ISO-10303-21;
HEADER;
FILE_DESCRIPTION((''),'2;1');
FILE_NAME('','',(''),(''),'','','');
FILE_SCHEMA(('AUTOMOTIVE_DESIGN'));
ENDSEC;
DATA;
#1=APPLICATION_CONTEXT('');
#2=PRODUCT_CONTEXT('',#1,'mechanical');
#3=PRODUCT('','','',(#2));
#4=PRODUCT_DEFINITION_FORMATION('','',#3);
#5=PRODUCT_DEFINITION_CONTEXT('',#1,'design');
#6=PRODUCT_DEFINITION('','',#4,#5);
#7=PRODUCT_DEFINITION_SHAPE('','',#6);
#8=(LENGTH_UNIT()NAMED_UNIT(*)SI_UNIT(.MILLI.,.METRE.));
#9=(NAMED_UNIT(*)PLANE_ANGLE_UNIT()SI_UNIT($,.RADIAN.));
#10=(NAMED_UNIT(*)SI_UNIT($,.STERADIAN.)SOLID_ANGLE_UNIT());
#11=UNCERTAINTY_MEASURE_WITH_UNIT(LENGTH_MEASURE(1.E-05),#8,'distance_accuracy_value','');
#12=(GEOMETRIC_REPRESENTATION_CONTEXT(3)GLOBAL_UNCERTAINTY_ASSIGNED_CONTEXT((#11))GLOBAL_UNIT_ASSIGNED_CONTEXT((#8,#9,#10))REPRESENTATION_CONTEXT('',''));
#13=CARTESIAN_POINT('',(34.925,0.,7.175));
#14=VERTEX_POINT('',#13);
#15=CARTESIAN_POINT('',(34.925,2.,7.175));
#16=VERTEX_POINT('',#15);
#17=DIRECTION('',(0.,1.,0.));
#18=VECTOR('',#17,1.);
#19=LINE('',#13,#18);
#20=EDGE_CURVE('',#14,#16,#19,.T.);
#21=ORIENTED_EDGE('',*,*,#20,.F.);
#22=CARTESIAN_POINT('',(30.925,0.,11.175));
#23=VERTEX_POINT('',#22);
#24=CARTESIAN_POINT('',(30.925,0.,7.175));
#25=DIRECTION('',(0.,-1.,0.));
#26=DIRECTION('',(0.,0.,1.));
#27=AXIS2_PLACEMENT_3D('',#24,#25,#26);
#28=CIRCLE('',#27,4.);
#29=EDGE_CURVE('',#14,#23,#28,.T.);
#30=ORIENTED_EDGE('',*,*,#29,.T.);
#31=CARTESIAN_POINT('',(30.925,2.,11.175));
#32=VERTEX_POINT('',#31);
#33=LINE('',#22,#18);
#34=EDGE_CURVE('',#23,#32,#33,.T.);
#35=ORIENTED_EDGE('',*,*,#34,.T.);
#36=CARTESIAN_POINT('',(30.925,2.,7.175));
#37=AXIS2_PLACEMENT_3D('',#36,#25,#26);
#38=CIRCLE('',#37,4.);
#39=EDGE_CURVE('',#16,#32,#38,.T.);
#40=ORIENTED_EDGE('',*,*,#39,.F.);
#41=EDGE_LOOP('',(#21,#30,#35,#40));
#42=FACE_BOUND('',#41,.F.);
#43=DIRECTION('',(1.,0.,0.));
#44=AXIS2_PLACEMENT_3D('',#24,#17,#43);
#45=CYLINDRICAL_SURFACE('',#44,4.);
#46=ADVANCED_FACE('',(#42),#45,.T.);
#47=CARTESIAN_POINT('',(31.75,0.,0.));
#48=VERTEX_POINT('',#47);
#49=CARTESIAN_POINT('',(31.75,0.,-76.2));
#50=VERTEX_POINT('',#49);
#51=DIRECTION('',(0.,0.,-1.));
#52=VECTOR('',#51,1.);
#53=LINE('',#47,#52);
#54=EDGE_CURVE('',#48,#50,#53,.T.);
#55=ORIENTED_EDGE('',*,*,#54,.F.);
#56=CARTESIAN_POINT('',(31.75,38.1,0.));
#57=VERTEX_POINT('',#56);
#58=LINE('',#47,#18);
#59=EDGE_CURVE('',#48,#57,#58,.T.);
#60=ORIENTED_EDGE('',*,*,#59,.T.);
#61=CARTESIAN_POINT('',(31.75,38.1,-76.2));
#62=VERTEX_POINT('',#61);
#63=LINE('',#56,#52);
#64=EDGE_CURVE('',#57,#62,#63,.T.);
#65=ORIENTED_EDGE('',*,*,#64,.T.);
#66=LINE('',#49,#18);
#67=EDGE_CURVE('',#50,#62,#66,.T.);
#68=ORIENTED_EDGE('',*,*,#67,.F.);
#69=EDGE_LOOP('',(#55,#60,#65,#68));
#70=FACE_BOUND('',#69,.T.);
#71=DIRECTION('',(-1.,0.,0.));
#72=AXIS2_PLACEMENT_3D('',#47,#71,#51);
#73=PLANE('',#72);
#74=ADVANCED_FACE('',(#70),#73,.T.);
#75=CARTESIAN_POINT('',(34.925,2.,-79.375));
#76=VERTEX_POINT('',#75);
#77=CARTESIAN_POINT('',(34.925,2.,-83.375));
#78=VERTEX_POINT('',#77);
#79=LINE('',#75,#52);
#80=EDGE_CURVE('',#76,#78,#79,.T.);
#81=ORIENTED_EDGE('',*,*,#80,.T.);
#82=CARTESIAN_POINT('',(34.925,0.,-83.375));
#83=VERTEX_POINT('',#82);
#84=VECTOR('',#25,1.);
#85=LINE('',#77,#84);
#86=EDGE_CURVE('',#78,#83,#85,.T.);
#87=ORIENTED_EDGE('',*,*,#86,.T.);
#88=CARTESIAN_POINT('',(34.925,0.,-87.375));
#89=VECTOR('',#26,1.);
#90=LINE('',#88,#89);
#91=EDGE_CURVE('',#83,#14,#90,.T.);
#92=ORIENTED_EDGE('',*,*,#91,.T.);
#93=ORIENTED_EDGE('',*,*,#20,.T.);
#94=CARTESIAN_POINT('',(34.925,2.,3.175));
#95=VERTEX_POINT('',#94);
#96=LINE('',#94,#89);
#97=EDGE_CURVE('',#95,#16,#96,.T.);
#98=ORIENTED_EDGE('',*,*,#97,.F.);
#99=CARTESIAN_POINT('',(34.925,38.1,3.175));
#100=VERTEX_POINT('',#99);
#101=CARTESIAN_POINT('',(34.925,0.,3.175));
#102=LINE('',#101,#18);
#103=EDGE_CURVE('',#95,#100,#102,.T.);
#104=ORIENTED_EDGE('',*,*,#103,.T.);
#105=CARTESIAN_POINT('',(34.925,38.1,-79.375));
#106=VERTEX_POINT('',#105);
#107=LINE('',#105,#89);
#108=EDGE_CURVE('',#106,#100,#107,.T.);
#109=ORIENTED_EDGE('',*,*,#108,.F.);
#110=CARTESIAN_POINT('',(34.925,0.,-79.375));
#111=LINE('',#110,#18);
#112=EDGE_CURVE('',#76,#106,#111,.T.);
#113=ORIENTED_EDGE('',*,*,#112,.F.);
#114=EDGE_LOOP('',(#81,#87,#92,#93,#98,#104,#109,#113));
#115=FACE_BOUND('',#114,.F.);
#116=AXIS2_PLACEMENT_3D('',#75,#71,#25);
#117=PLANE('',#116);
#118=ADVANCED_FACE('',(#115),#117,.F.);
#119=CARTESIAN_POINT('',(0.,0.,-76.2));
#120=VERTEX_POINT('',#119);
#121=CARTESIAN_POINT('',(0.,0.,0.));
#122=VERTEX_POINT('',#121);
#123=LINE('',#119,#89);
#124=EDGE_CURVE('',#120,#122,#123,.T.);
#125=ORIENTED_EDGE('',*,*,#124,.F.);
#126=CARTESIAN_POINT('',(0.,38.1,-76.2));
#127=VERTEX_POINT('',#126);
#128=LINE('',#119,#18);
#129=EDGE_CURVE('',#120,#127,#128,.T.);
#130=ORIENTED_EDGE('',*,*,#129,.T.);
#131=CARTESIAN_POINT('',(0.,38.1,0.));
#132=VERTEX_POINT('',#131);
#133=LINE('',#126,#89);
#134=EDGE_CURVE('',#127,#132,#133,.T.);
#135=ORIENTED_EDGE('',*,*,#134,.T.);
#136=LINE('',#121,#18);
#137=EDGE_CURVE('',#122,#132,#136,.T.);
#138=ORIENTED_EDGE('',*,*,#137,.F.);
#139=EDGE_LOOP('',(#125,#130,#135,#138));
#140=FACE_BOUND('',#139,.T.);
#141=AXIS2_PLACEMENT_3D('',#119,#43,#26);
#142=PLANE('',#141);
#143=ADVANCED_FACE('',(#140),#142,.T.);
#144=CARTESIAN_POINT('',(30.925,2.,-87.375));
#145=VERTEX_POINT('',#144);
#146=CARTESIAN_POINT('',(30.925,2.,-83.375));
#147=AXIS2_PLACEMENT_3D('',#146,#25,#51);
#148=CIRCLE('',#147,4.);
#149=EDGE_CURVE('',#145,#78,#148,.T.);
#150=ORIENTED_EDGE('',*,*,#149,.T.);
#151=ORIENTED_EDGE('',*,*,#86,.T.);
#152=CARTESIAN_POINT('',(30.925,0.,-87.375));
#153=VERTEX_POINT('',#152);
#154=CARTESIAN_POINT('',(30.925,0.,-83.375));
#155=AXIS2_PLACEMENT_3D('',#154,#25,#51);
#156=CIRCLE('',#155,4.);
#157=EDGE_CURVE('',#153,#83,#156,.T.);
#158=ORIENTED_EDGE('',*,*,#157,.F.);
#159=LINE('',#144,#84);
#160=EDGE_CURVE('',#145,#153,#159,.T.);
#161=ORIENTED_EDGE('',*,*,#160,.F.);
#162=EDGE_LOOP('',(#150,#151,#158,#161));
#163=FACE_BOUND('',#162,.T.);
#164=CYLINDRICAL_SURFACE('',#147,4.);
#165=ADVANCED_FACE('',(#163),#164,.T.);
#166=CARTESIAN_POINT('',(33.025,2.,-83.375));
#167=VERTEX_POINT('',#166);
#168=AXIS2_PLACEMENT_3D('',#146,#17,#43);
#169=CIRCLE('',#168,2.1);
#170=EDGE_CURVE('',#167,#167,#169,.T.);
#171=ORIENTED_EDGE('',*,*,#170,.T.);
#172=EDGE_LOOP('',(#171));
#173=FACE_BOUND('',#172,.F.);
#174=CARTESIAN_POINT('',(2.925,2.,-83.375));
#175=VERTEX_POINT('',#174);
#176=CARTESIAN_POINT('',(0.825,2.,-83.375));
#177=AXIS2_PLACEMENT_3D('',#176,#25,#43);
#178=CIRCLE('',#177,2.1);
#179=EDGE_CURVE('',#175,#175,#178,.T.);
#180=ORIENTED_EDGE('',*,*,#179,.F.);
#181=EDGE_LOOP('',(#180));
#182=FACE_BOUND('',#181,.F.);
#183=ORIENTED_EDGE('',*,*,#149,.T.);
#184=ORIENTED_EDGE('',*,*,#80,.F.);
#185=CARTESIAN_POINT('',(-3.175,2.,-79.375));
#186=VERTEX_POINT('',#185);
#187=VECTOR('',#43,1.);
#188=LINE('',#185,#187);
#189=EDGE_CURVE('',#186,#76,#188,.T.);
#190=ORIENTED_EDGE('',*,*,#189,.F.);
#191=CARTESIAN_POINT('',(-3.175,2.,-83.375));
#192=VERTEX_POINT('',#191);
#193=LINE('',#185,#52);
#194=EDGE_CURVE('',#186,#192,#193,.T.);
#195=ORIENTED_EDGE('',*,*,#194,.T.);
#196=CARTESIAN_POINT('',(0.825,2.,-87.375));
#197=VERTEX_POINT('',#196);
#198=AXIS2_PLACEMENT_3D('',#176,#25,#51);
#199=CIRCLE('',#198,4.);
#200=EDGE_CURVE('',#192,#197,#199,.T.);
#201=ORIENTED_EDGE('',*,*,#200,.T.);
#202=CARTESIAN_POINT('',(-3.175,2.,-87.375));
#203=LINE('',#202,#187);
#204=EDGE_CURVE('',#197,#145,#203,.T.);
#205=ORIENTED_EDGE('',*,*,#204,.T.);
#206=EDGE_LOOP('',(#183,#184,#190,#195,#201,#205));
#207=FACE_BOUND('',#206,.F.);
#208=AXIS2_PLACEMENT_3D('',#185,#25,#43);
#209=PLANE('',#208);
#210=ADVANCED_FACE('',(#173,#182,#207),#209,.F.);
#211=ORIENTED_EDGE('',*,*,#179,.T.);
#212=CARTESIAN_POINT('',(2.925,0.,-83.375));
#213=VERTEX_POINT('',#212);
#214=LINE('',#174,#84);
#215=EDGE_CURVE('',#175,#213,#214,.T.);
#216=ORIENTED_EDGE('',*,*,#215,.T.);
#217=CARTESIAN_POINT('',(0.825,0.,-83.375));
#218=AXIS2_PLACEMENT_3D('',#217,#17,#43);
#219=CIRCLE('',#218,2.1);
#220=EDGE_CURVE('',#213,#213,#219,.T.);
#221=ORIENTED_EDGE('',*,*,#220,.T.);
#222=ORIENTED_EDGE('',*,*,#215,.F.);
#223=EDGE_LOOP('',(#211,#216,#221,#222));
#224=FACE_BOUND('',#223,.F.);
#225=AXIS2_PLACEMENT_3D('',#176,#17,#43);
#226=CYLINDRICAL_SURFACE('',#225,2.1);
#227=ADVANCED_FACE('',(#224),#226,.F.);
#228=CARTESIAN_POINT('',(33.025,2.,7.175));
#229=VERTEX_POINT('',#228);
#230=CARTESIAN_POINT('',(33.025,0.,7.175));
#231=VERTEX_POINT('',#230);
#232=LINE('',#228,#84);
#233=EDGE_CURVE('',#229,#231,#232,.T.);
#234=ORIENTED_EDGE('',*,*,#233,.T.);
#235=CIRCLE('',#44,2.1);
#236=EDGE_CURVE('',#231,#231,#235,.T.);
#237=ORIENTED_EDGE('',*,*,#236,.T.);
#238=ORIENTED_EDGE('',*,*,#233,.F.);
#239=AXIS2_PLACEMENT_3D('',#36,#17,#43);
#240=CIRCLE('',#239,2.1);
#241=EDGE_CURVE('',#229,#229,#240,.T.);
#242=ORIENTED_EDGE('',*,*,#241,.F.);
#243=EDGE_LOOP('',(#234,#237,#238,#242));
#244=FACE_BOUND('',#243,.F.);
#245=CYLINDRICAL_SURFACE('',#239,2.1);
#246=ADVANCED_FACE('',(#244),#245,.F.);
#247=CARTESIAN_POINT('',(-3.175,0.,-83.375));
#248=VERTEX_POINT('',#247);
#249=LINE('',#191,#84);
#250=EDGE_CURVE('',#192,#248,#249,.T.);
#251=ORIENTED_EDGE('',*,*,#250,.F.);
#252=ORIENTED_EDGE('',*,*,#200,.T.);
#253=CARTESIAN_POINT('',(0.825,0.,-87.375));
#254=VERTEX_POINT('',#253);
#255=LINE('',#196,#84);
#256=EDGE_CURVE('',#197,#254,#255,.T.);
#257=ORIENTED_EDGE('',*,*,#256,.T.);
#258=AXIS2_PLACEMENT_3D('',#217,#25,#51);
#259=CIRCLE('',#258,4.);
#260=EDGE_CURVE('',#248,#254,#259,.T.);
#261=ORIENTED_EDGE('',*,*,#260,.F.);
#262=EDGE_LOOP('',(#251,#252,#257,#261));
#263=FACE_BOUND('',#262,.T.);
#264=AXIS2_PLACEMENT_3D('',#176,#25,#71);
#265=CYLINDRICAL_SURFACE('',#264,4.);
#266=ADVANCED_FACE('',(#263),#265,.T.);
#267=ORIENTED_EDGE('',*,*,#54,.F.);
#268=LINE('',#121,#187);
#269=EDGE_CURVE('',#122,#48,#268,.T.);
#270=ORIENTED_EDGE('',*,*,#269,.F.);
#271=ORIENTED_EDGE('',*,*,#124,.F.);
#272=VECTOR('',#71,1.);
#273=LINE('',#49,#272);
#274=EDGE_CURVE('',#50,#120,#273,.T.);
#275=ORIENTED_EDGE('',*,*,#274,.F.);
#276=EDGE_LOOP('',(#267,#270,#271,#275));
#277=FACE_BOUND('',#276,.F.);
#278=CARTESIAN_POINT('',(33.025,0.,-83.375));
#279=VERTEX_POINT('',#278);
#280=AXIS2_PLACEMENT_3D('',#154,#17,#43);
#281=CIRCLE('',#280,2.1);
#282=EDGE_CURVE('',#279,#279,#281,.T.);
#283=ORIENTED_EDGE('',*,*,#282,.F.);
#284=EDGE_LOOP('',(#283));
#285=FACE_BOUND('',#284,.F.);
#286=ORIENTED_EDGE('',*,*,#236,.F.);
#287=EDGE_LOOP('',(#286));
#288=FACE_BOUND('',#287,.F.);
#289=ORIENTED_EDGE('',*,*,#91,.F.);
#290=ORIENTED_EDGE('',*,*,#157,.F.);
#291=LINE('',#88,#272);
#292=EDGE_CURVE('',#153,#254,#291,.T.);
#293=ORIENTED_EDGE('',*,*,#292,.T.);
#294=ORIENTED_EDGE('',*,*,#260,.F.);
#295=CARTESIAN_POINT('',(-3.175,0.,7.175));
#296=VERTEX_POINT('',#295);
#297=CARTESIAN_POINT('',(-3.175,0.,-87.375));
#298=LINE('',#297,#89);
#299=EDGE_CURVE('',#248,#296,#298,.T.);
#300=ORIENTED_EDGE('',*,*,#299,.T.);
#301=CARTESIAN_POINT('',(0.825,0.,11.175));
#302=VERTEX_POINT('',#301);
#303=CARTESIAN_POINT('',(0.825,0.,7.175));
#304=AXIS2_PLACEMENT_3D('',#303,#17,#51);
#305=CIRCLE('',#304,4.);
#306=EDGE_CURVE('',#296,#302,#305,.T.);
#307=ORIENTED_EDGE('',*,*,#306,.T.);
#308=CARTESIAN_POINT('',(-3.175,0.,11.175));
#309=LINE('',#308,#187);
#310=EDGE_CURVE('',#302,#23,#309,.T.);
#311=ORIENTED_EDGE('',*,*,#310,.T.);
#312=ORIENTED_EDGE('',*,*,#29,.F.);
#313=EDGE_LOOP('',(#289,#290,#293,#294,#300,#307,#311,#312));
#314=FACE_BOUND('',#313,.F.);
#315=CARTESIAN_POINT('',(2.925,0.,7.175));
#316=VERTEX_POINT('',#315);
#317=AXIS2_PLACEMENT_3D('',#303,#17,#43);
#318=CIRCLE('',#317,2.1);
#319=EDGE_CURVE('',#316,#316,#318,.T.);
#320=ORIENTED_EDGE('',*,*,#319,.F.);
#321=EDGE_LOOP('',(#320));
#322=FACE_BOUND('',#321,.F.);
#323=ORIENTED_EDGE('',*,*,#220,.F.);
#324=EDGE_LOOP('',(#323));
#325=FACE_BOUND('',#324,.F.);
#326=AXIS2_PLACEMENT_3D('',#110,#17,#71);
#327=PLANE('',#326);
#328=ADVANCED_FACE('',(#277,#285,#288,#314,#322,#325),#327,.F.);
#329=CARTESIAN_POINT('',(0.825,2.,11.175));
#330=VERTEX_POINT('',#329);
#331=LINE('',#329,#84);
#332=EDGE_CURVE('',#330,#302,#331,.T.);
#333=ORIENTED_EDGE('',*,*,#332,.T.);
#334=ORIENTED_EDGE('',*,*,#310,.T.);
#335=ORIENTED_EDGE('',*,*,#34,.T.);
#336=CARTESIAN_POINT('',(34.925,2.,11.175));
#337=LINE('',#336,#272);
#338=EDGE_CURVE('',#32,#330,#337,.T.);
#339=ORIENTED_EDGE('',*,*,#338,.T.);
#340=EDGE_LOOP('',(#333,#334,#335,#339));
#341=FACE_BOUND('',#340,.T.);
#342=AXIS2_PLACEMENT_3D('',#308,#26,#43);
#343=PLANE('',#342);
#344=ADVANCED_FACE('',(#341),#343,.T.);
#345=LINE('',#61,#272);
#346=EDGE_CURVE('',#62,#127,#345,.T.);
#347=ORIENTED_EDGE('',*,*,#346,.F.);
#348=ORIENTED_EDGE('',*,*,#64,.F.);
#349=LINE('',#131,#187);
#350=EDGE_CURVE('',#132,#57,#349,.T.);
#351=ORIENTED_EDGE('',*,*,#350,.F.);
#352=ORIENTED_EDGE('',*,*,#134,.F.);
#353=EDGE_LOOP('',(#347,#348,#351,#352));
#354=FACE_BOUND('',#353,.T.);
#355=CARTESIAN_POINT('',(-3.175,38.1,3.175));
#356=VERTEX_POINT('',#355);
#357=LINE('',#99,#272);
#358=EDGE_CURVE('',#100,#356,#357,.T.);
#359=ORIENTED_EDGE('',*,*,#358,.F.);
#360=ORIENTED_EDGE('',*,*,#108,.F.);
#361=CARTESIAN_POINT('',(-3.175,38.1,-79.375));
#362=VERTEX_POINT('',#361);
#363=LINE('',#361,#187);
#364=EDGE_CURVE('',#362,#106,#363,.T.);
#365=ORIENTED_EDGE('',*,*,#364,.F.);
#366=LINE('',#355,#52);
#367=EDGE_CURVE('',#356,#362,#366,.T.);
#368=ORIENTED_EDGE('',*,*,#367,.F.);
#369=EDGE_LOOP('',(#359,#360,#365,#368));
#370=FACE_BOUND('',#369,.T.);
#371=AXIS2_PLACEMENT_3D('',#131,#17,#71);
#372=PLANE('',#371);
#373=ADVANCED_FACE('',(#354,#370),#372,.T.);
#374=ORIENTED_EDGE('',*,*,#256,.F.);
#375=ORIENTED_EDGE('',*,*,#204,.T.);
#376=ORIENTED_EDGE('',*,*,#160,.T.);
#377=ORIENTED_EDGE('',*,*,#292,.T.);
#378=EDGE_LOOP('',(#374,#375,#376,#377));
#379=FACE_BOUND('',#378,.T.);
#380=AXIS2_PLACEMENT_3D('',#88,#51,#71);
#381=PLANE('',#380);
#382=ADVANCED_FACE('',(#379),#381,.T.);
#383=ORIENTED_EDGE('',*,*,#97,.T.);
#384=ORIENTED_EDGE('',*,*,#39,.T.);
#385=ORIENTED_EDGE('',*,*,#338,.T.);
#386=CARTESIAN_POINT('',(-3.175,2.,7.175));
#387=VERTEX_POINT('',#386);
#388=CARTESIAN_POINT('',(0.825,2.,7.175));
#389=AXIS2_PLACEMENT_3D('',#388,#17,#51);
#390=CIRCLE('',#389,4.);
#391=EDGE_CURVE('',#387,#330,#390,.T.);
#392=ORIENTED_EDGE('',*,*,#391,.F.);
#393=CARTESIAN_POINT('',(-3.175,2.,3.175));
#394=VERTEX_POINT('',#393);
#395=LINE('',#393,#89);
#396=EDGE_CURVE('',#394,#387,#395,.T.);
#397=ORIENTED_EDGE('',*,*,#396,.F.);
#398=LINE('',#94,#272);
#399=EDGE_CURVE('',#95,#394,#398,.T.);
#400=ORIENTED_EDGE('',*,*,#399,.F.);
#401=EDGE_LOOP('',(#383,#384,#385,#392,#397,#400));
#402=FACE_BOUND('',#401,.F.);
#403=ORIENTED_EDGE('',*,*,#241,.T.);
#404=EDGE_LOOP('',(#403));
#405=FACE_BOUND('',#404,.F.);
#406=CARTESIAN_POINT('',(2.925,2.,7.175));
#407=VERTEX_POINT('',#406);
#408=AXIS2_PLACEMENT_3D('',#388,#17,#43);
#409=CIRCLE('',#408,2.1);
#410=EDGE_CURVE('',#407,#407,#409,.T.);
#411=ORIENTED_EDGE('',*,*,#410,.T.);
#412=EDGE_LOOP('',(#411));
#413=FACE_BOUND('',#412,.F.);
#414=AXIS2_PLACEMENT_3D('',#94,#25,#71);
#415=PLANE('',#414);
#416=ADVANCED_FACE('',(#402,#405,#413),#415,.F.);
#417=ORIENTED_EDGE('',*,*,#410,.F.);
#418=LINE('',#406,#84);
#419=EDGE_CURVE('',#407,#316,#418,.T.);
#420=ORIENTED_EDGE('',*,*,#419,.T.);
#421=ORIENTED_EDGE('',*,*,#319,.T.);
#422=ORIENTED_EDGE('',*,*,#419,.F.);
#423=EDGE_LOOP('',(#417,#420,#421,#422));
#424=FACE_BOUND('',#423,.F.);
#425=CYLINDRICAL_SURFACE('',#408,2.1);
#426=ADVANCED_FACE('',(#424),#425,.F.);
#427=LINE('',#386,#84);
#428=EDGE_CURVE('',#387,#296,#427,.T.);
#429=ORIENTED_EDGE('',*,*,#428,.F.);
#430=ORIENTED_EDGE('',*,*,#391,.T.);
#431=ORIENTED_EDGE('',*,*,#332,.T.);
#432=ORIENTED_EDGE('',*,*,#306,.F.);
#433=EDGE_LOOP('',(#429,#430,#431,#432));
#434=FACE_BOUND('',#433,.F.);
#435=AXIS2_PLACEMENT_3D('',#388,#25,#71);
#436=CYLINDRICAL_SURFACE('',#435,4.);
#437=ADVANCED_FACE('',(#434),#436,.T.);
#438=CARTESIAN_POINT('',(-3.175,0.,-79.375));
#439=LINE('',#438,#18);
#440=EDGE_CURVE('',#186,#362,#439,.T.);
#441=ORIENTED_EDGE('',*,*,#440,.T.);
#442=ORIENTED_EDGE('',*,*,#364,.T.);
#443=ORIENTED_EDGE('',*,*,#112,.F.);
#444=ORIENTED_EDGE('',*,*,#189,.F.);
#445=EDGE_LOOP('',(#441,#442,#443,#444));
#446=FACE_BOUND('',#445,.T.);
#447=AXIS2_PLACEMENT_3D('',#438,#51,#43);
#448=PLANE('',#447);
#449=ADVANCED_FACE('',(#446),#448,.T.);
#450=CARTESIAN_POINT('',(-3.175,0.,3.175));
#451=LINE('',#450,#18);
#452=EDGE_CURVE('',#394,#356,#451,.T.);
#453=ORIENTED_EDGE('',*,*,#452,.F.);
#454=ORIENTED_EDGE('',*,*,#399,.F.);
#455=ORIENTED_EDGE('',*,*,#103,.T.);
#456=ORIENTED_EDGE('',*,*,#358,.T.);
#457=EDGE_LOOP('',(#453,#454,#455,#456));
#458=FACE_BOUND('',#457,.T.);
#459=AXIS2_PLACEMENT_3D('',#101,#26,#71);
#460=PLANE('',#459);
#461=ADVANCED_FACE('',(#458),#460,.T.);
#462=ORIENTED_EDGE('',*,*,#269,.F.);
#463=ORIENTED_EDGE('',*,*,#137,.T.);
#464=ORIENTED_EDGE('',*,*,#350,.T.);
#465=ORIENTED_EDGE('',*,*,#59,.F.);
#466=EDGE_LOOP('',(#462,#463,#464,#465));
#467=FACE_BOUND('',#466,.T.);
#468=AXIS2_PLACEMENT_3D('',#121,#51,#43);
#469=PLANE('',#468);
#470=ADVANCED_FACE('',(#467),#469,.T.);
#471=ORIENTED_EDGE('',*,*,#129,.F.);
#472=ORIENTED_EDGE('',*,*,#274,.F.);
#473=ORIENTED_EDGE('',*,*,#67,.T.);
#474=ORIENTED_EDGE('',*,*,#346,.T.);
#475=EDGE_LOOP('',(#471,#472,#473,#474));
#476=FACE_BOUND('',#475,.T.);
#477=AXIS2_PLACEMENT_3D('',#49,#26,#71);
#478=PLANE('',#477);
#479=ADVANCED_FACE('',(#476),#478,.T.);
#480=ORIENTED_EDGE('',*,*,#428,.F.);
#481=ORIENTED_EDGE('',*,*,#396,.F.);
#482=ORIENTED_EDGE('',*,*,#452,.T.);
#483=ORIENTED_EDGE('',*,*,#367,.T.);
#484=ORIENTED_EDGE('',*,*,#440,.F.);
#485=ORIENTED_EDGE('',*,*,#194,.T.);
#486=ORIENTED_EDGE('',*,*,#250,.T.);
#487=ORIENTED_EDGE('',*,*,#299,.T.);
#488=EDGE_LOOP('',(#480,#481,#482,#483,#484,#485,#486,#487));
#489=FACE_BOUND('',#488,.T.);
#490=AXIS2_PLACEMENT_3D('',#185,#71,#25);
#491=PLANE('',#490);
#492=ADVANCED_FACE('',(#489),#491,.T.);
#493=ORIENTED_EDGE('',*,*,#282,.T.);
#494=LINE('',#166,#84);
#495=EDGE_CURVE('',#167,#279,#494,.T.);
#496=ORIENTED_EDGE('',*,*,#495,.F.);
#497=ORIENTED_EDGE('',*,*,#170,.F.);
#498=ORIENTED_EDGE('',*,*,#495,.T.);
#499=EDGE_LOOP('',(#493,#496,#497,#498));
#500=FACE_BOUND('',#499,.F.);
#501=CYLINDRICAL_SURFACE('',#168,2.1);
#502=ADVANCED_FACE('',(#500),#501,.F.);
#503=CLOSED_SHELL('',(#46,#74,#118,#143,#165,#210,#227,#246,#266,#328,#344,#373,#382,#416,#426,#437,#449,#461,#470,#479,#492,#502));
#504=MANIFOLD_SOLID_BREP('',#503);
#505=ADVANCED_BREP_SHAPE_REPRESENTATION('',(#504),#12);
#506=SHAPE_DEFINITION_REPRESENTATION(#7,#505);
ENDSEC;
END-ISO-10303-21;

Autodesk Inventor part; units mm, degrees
ref_plane "YZ Plane" through (0, 0, 0) normal (1, 0, 0) x (0, 1, 0)
ref_plane "XZ Plane" through (0, 0, 0) normal (0, 1, 0) x (-1, 0, 0)
ref_plane "XY Plane" through (0, 0, 0) normal (0, 0, 1) x (1, 0, 0)
sketch "Sketch1" plane through (0, 0, 0) normal (0, 1, 0) x (-1, 0, 0)
  line L0 (0, 0) -> (-31.75, 0)
  line L1 (-31.75, 0) -> (-31.75, -76.2)
  line L2 (-31.75, -76.2) -> (0, -76.2)
  line L3 (0, -76.2) -> (0, 0)
  line L4 (-34.925, -79.375) -> (-34.925, 3.175)
  line L5 (-34.925, 3.175) -> (3.175, 3.175)
  line L6 (3.175, 3.175) -> (3.175, -79.375)
  line L7 (3.175, -79.375) -> (-34.925, -79.375)
  dimension "d0" = 31.75
  dimension "d1" = 76.2
  dimension "d2" = 3.175
extrude "Extrusion1" add sketch "Sketch1" along normal blind 38.1
sketch "Sketch2" plane through (-3.175, 0, 3.175) normal (0, 0, 1) x (1, 0, 0)
  line L0 (38.1, 0) -> (38.1, 38.1) projected
  line L1 (0, 0) -> (38.1, 0)
  line L2 (38.1, 0) -> (38.1, 2)
  line L3 (38.1, 2) -> (0, 2)
  line L4 (0, 2) -> (0, 0)
  point P0 (3.175, 0)
  dimension "d5" = 2
extrude "Extrusion2" add sketch "Sketch2" along normal blind 8
fillet "Fillet1" radius 4 2 edges at (34.925, 1, 11.175) (-3.175, 1, 11.175)
sketch "Sketch3" plane through (-3.175, 2, 3.175) normal (0, 1, 0) x (1, 0, 0)
  arc A0 (0, -4) -> (4, -8) centre (4, -4) ccw projected
  circle A1 centre (4, -4) radius 2.1
  arc A2 (34.1, -8) -> (38.1, -4) centre (34.1, -4) ccw projected
  circle A3 centre (34.1, -4) radius 2.1
  point P0 (3.175, 3.175)
  dimension "d9" = 4.2
  dimension "d10" = 4.2
extrude "Extrusion3" cut sketch "Sketch3" against normal blind 8
sketch "Sketch4" plane through (34.925, 0, -79.375) normal (0, 0, -1) x (-1, 0, 0)
  line L0 (38.1, 2) -> (38.1, 0) projected
  line L1 (0, 0) -> (38.1, 0)
  line L2 (38.1, 0) -> (38.1, 2)
  line L3 (38.1, 2) -> (0, 2)
  line L4 (0, 2) -> (0, 0)
  point P0 (34.925, 0)
  dimension "d13" = 2
extrude "Extrusion4" add sketch "Sketch4" along normal blind 8
fillet "Fillet2" radius 4 2 edges at (34.925, 1, -87.375) (-3.175, 1, -87.375)
sketch "Sketch5" plane through (-3.175, 2, -79.375) normal (0, 1, 0) x (1, 0, 0)
  arc A0 (38.1, 4) -> (34.1, 8) centre (34.1, 4) ccw projected
  circle A1 centre (34.1, 4) radius 2.1
  arc A2 (4, 8) -> (0, 4) centre (4, 4) ccw projected
  circle A3 centre (4, 4) radius 2.1
  line L0 (4, 4) -> (0, 4)
  point P0 (3.175, -79.375)
  dimension "d17" = 4.2
  dimension "d18" = 4.2
extrude "Extrusion5" cut sketch "Sketch5" against normal blind 8
properties part number "BatteryHolder"
